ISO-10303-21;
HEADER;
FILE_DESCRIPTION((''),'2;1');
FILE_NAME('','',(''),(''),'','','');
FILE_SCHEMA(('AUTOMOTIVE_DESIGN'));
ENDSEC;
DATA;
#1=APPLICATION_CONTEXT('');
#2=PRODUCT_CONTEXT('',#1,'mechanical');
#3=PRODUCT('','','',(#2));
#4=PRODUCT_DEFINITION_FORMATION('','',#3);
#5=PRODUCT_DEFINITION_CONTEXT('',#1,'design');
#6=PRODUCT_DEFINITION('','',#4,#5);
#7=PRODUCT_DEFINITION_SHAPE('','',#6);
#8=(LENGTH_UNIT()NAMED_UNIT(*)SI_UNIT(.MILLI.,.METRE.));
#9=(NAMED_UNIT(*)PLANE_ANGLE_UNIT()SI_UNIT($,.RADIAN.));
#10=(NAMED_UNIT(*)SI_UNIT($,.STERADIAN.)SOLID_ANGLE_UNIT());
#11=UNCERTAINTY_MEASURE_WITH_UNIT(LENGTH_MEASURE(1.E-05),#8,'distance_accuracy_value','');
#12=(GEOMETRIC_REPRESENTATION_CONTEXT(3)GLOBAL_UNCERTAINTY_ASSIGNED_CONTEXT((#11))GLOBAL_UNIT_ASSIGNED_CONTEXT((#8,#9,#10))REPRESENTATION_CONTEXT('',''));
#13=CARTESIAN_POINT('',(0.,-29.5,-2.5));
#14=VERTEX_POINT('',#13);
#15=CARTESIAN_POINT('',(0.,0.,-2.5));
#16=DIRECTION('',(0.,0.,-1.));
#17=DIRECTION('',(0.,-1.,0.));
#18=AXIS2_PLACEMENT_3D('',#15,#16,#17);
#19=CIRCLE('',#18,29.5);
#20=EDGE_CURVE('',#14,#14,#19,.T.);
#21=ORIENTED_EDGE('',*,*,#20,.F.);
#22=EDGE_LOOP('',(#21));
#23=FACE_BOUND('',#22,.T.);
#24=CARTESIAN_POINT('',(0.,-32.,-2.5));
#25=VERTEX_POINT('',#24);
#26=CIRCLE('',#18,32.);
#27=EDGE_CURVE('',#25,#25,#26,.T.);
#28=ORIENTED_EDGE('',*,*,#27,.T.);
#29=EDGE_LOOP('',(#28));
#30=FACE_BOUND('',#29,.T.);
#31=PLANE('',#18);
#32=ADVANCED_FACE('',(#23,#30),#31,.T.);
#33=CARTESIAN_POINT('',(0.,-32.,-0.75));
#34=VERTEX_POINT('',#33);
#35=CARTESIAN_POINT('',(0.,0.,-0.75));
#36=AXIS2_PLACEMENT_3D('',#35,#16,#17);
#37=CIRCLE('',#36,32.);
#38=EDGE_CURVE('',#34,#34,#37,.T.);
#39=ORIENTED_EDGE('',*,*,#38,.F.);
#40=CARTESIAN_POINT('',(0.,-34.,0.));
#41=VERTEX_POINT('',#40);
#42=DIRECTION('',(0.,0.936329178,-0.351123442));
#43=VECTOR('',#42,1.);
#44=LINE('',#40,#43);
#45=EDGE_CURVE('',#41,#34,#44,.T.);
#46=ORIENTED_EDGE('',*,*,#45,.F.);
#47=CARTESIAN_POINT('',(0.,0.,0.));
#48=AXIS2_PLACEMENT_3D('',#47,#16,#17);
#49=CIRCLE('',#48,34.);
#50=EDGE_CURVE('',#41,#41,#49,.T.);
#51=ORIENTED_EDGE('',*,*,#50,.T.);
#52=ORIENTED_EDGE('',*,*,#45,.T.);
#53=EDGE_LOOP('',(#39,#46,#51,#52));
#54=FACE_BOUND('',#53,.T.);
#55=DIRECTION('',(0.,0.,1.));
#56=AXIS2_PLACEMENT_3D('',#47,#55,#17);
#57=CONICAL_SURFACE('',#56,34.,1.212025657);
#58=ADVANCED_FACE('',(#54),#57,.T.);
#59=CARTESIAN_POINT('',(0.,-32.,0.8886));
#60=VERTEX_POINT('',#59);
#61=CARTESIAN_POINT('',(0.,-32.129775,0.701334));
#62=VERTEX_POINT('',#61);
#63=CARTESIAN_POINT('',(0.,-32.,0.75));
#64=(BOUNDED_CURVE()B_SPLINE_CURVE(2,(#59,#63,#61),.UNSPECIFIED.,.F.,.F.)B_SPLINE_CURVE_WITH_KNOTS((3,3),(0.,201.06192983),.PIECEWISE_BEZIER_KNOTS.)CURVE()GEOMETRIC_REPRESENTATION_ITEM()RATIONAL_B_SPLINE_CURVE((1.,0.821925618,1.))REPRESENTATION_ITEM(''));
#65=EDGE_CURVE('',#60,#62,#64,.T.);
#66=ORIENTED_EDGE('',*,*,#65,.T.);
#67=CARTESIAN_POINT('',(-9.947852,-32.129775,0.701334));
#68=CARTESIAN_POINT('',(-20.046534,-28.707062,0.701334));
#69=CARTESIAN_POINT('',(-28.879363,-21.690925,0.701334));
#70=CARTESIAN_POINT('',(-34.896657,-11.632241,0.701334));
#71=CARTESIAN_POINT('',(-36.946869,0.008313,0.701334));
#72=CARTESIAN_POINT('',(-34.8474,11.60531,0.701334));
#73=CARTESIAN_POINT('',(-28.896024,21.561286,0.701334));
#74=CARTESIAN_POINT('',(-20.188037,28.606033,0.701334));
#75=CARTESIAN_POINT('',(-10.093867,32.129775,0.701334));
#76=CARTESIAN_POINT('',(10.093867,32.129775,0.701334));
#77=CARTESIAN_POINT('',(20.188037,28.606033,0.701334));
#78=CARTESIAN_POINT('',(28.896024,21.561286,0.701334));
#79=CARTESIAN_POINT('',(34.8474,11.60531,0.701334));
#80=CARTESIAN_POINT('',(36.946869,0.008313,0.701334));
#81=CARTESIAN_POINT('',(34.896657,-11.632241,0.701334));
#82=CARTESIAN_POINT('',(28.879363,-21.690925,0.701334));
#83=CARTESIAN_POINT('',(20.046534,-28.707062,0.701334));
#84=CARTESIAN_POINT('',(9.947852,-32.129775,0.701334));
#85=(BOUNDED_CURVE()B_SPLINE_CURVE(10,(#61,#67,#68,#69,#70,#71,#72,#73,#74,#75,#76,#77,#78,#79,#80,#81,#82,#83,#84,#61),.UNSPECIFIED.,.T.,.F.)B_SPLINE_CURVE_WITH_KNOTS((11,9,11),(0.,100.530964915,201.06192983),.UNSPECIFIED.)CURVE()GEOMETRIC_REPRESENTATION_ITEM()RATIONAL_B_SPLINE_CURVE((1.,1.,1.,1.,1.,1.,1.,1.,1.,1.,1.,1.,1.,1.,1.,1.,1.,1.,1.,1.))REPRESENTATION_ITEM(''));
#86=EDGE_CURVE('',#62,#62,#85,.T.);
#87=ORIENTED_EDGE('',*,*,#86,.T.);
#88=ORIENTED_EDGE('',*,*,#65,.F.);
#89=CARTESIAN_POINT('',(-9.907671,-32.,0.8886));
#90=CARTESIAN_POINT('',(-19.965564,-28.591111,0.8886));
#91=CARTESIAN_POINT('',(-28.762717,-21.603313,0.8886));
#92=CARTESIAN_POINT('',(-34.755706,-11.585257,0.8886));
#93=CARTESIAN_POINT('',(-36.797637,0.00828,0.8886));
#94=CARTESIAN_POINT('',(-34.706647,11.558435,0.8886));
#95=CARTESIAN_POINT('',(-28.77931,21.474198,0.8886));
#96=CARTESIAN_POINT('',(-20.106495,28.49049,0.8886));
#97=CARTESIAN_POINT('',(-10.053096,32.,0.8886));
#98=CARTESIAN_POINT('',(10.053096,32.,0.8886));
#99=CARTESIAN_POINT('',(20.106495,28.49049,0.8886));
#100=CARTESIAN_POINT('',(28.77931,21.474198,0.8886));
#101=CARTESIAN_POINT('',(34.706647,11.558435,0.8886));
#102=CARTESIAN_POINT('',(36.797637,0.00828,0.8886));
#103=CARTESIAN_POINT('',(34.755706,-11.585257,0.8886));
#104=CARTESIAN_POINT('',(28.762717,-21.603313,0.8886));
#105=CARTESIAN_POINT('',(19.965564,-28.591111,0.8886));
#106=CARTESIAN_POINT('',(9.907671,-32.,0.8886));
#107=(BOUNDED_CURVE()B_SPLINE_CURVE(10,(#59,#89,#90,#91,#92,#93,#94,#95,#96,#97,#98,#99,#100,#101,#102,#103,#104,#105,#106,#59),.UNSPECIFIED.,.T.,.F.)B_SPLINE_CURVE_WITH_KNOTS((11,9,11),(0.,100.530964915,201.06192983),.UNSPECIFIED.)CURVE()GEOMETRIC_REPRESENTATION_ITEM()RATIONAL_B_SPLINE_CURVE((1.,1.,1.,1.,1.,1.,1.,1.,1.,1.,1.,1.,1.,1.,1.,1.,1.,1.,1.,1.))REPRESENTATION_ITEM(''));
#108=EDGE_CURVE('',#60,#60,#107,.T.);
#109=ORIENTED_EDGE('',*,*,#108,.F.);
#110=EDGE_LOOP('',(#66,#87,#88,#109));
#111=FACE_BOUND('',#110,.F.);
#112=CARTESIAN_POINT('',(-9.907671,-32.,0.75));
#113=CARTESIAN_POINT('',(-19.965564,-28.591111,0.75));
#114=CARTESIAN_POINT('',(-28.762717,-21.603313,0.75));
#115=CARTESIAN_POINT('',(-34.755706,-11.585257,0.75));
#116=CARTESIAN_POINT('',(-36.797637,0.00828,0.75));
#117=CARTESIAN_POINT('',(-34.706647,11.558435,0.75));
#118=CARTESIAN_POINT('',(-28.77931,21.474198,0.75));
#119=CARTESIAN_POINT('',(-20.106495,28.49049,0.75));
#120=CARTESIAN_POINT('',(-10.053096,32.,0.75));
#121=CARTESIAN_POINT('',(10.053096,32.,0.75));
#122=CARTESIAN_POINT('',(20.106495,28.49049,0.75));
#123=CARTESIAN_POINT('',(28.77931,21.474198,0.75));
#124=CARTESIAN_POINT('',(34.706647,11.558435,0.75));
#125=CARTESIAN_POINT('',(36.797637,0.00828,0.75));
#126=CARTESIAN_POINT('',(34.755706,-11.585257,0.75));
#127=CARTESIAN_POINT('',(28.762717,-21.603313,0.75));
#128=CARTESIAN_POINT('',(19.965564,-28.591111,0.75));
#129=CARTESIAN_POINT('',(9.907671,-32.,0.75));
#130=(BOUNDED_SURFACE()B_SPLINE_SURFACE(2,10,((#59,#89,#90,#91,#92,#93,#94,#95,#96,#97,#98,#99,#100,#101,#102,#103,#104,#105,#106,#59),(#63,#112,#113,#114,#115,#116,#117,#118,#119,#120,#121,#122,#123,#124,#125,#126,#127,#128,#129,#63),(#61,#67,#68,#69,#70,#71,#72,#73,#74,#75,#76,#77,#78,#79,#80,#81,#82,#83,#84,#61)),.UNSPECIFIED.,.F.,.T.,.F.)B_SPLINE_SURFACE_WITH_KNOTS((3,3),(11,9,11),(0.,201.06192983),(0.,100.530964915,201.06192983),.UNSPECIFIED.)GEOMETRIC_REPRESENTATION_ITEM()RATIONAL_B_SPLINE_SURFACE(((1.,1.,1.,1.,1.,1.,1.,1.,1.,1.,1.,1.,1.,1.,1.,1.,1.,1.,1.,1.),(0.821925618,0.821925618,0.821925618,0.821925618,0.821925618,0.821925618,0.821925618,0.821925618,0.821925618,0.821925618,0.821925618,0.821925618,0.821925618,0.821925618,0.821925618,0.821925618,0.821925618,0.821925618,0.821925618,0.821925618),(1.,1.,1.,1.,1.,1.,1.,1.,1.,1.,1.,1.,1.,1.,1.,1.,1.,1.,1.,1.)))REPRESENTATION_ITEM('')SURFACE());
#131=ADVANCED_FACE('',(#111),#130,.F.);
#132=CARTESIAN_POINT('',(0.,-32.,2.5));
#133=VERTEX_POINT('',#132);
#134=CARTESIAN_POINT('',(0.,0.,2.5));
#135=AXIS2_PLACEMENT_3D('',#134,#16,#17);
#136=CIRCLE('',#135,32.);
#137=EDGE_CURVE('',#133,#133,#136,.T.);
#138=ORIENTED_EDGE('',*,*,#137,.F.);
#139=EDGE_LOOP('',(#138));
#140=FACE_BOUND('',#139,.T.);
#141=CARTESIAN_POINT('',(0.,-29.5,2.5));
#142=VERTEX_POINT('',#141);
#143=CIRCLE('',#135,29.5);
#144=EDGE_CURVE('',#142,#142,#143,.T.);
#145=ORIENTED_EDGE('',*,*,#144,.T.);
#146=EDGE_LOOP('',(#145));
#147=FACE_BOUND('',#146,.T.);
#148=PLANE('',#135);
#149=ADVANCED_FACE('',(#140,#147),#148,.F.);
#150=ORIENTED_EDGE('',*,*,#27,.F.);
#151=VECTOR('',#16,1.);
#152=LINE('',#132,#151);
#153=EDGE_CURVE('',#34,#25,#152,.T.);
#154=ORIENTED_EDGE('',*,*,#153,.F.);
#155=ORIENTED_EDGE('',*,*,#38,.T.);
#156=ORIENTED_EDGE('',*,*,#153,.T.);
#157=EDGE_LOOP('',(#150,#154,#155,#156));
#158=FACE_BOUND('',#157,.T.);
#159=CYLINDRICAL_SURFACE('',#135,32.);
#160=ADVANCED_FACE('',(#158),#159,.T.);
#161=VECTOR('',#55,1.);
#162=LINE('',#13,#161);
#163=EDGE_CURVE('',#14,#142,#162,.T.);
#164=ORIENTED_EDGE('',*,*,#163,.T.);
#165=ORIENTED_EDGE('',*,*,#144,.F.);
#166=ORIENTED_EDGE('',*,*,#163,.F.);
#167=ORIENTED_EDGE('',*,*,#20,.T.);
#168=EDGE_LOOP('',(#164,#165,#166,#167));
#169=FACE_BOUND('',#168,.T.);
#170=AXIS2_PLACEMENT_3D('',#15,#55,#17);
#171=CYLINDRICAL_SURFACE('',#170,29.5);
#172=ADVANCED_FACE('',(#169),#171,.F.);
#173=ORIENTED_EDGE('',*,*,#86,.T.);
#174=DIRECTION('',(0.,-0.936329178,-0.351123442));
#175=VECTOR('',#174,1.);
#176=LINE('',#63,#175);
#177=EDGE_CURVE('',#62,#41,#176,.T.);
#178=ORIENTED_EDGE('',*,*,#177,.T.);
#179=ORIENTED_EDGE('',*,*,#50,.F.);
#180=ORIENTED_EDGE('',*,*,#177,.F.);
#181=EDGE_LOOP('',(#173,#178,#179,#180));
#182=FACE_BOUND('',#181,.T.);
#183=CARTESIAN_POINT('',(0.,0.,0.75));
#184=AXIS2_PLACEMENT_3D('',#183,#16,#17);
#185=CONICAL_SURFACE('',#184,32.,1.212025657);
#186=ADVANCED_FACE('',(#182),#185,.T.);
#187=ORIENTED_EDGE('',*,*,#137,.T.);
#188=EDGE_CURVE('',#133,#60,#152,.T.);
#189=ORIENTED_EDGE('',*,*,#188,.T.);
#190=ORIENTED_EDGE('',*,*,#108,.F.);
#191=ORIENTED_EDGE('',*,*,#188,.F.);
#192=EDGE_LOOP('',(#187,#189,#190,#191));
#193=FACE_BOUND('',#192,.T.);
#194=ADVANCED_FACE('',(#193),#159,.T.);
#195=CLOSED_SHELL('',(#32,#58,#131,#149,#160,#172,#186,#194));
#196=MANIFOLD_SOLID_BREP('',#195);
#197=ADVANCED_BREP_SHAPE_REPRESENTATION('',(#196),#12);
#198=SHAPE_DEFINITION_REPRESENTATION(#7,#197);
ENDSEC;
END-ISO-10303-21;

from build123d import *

# Parameters (mm, degrees)
F3_R = 0.2


with BuildPart() as f2:
    # F1 (on Right) → F2 (revolve)
    with BuildSketch(Plane.YZ):
        Polygon((-29.5, -2.5), (-29.5, 2.5), (-32, 2.5), (-32, 0.75), (-32, -0.75), (-32, -2.5), align=None)
        Polygon((-32, -0.75), (-32, 0.75), (-34, 0), align=None)
    revolve(axis=Axis((0, 0, 0.223784), (0, 0, -1)))

    # F3
    f3_edges = [f2.edges().sort_by_distance(p)[0] for p in [
        (0, 32, 0.75),
    ]]
    fillet(f3_edges, radius=F3_R)


solid = f2.part
